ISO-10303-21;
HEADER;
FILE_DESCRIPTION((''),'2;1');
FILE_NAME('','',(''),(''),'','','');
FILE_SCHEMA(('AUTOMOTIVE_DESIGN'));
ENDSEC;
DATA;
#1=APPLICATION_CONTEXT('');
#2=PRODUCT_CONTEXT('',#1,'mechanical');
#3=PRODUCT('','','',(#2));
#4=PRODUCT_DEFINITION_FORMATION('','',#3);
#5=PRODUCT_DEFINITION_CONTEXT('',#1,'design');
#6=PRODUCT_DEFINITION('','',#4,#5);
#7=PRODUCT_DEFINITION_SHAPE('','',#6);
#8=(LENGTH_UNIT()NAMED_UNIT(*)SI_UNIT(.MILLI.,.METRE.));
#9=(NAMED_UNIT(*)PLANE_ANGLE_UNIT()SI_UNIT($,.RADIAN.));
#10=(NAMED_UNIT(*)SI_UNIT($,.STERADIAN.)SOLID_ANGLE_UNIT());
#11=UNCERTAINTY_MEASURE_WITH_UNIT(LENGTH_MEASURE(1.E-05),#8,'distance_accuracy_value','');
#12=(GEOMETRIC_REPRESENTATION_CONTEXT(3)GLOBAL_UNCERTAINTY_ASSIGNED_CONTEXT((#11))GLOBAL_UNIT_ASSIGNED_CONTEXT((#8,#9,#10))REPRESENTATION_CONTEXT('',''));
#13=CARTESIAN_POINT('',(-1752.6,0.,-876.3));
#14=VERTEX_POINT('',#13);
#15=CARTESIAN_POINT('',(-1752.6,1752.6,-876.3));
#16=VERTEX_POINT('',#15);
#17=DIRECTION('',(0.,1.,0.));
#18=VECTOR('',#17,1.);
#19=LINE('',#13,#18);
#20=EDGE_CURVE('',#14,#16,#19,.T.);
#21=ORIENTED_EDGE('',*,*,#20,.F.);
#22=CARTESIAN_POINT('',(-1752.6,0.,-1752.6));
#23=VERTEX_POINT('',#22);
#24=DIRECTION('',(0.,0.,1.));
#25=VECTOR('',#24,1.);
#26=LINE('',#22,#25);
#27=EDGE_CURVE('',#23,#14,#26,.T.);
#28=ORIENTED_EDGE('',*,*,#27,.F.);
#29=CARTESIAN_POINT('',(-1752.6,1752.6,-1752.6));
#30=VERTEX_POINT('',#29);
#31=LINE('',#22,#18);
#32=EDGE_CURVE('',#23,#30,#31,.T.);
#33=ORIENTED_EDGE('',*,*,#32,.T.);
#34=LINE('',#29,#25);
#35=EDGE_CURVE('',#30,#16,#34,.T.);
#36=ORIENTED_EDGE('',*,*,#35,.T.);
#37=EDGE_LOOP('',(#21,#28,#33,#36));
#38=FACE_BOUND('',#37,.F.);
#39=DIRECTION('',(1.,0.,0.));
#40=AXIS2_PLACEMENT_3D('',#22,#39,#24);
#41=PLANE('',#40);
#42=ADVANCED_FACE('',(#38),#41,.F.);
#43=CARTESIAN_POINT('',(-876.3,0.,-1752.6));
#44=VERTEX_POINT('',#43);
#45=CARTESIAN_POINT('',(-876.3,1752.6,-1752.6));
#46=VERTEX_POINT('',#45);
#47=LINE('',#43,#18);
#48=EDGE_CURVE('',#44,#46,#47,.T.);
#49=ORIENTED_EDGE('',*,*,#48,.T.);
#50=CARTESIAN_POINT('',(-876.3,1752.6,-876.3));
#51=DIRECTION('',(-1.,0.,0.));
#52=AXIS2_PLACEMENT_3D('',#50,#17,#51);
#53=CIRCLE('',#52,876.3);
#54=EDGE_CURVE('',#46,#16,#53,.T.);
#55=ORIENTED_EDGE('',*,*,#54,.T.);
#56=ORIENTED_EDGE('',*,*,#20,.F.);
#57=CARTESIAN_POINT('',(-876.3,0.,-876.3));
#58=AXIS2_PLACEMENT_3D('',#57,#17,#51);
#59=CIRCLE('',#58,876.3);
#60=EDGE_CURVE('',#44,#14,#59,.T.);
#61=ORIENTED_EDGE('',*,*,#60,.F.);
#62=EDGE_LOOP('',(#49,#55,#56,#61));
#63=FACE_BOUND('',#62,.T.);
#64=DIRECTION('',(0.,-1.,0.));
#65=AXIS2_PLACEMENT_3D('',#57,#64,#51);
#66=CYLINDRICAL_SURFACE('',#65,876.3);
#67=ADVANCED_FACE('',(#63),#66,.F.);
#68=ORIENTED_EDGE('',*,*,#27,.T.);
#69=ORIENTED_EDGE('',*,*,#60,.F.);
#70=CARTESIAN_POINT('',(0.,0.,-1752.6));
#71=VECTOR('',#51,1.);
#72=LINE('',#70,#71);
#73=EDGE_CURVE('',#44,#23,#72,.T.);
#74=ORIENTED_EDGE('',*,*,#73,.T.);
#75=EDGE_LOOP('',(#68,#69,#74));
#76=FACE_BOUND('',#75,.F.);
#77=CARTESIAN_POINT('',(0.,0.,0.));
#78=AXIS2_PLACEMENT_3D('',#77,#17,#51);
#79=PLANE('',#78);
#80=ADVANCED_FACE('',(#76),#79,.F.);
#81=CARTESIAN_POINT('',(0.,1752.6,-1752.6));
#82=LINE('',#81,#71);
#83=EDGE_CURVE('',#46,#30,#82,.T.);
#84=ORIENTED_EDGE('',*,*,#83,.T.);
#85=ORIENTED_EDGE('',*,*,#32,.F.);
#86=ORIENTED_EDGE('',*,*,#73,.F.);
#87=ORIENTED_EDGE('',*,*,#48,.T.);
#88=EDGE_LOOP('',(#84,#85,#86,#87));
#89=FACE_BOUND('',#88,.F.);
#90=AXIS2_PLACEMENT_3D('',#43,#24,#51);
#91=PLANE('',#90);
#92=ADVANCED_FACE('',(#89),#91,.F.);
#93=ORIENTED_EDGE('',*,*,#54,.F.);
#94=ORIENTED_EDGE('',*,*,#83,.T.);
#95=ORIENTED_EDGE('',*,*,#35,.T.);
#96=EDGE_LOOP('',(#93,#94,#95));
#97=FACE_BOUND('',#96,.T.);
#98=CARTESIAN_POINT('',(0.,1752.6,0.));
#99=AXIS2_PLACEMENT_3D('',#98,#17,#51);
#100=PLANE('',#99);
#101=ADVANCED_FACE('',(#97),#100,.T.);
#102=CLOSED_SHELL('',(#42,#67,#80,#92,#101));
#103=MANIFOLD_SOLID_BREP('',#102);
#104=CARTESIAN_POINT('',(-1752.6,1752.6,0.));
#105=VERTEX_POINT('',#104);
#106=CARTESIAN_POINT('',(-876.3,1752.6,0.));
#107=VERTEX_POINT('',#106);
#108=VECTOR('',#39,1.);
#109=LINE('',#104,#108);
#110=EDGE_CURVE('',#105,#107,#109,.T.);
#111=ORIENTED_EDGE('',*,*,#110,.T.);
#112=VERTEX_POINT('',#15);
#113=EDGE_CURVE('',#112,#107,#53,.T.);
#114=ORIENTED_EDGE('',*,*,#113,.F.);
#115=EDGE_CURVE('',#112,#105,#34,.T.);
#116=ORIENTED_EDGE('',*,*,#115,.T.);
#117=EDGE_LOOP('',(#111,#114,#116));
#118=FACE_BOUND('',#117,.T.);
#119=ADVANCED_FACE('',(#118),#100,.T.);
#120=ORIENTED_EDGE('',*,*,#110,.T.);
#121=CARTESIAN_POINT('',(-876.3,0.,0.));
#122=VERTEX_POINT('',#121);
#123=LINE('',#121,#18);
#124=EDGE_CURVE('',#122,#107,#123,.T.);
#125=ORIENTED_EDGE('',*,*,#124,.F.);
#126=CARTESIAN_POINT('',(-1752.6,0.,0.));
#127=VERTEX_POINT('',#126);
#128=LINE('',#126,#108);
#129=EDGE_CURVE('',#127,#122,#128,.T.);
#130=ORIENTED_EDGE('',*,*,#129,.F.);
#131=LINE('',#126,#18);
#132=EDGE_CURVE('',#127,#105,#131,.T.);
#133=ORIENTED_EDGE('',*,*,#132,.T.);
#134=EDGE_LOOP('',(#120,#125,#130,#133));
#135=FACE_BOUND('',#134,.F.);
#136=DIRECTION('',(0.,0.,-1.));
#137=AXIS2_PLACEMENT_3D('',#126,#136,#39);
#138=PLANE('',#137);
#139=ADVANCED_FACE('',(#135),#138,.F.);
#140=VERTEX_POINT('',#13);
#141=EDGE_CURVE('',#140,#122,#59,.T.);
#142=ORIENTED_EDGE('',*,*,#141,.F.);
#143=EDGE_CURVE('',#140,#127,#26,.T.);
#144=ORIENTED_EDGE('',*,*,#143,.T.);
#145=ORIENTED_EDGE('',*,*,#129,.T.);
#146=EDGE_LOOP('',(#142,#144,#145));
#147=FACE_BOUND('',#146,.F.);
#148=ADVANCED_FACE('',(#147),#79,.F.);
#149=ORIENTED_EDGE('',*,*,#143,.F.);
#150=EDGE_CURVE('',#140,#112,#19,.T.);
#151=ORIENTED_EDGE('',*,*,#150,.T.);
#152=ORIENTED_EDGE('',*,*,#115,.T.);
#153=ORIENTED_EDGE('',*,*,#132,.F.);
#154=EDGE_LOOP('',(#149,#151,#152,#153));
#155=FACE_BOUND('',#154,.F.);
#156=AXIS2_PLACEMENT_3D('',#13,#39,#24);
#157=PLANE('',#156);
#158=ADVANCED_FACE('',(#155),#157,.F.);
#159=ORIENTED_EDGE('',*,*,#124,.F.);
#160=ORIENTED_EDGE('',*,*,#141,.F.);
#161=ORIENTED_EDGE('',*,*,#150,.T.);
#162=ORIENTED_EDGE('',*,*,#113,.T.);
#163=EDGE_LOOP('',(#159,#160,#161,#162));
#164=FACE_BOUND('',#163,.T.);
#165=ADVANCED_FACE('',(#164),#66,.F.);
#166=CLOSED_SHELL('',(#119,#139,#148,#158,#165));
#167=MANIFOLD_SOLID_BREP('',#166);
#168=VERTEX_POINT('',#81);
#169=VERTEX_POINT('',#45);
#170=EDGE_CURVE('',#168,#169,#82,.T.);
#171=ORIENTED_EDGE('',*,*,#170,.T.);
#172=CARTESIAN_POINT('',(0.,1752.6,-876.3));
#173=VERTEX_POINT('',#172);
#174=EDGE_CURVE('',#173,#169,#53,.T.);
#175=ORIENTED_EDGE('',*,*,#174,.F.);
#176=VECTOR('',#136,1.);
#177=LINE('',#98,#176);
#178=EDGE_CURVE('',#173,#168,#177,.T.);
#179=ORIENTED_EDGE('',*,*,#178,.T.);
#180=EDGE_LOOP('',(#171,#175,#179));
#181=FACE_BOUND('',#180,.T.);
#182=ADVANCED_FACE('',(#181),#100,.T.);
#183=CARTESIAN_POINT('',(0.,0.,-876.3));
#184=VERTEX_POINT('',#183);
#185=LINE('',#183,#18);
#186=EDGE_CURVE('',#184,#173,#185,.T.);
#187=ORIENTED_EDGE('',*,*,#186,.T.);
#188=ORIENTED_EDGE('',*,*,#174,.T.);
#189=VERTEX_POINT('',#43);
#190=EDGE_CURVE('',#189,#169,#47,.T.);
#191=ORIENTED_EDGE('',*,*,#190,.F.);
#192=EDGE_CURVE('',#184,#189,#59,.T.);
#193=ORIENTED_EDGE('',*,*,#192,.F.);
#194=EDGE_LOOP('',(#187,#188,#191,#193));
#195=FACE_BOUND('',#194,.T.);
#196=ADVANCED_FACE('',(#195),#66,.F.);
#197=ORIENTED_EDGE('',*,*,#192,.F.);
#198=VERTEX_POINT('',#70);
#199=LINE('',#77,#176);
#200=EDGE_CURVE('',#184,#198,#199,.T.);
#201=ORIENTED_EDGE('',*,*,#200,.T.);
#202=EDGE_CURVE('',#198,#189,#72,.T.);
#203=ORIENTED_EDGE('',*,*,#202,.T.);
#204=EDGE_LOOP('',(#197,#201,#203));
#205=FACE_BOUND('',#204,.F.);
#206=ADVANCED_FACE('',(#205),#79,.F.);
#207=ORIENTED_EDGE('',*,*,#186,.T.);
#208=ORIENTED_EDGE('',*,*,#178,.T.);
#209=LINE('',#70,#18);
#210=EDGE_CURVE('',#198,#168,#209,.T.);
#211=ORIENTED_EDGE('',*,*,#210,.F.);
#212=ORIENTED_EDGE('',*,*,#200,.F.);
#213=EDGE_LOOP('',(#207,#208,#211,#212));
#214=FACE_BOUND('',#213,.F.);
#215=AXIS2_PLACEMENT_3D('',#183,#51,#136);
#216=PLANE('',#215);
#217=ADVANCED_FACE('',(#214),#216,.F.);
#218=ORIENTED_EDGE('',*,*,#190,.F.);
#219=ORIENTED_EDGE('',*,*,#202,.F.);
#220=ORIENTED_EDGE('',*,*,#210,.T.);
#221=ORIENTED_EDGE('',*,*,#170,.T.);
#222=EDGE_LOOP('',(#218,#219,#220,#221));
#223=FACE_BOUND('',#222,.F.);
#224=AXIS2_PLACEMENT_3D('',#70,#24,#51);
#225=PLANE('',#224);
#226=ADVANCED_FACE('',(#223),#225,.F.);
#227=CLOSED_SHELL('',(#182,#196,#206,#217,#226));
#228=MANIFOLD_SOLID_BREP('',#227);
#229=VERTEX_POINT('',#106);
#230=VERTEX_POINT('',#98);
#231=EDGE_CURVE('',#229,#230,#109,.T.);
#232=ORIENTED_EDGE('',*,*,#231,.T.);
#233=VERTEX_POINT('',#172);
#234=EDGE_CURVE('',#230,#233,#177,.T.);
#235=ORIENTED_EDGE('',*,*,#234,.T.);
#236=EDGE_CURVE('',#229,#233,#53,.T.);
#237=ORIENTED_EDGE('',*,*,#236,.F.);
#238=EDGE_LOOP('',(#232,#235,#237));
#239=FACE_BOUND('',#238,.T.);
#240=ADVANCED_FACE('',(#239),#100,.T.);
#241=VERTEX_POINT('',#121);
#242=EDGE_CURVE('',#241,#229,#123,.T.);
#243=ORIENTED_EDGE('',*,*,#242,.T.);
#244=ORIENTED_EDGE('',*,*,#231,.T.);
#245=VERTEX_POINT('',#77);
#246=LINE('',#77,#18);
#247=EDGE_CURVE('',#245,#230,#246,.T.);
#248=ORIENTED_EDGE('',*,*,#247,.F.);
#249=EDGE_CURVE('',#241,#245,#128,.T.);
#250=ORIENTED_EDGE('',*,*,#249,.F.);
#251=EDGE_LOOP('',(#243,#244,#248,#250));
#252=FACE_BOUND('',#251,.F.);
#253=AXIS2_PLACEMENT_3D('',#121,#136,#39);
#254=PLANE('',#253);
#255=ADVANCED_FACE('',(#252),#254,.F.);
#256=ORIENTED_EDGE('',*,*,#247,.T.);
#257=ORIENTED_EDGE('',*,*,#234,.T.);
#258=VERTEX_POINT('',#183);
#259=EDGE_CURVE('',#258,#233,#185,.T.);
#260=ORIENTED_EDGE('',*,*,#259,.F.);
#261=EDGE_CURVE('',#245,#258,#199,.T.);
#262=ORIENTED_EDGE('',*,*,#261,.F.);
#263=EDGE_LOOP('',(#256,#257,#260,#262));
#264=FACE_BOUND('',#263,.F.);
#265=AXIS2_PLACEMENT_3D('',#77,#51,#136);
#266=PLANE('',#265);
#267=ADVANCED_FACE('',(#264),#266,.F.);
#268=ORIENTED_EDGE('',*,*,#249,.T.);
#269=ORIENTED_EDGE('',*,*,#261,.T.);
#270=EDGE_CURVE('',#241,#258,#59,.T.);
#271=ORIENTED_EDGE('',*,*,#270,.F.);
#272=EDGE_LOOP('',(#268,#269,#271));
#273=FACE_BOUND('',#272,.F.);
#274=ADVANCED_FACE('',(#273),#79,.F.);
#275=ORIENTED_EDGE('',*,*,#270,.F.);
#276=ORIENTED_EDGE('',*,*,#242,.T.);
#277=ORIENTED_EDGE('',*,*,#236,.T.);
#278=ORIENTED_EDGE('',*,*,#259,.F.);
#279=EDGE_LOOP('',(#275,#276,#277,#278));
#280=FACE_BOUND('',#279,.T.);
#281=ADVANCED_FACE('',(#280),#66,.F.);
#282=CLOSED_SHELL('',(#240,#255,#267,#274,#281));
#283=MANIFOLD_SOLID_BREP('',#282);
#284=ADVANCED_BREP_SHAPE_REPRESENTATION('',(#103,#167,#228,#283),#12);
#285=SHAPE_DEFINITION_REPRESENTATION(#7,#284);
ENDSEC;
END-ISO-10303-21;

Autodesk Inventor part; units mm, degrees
ref_plane "YZ Plane" through (0, 0, 0) normal (1, 0, 0) x (0, 1, 0)
ref_plane "XZ Plane" through (0, 0, 0) normal (0, 1, 0) x (-1, 0, 0)
ref_plane "XY Plane" through (0, 0, 0) normal (0, 0, 1) x (1, 0, 0)
sketch "Sketch1" plane through (0, 0, 0) normal (0, 1, 0) x (-1, 0, 0)
  line L0 (0, 0) -> (0, -1752.6)
  line L1 (0, -1752.6) -> (1752.6, -1752.6)
  line L2 (1752.6, -1752.6) -> (1752.6, 0)
  line L3 (1752.6, 0) -> (0, 0)
  circle A0 centre (876.3, -876.3) radius 876.3
  dimension "d0" = 1752.6
  dimension "d1" = 1752.6
extrude "Extrusion1" add sketch "Sketch1" along normal blind 1752.6 contours L3 A0 L0 | A0 L1 L0 | L3 L2 A0 | A0 L2 L1
properties part number "gdhole"
